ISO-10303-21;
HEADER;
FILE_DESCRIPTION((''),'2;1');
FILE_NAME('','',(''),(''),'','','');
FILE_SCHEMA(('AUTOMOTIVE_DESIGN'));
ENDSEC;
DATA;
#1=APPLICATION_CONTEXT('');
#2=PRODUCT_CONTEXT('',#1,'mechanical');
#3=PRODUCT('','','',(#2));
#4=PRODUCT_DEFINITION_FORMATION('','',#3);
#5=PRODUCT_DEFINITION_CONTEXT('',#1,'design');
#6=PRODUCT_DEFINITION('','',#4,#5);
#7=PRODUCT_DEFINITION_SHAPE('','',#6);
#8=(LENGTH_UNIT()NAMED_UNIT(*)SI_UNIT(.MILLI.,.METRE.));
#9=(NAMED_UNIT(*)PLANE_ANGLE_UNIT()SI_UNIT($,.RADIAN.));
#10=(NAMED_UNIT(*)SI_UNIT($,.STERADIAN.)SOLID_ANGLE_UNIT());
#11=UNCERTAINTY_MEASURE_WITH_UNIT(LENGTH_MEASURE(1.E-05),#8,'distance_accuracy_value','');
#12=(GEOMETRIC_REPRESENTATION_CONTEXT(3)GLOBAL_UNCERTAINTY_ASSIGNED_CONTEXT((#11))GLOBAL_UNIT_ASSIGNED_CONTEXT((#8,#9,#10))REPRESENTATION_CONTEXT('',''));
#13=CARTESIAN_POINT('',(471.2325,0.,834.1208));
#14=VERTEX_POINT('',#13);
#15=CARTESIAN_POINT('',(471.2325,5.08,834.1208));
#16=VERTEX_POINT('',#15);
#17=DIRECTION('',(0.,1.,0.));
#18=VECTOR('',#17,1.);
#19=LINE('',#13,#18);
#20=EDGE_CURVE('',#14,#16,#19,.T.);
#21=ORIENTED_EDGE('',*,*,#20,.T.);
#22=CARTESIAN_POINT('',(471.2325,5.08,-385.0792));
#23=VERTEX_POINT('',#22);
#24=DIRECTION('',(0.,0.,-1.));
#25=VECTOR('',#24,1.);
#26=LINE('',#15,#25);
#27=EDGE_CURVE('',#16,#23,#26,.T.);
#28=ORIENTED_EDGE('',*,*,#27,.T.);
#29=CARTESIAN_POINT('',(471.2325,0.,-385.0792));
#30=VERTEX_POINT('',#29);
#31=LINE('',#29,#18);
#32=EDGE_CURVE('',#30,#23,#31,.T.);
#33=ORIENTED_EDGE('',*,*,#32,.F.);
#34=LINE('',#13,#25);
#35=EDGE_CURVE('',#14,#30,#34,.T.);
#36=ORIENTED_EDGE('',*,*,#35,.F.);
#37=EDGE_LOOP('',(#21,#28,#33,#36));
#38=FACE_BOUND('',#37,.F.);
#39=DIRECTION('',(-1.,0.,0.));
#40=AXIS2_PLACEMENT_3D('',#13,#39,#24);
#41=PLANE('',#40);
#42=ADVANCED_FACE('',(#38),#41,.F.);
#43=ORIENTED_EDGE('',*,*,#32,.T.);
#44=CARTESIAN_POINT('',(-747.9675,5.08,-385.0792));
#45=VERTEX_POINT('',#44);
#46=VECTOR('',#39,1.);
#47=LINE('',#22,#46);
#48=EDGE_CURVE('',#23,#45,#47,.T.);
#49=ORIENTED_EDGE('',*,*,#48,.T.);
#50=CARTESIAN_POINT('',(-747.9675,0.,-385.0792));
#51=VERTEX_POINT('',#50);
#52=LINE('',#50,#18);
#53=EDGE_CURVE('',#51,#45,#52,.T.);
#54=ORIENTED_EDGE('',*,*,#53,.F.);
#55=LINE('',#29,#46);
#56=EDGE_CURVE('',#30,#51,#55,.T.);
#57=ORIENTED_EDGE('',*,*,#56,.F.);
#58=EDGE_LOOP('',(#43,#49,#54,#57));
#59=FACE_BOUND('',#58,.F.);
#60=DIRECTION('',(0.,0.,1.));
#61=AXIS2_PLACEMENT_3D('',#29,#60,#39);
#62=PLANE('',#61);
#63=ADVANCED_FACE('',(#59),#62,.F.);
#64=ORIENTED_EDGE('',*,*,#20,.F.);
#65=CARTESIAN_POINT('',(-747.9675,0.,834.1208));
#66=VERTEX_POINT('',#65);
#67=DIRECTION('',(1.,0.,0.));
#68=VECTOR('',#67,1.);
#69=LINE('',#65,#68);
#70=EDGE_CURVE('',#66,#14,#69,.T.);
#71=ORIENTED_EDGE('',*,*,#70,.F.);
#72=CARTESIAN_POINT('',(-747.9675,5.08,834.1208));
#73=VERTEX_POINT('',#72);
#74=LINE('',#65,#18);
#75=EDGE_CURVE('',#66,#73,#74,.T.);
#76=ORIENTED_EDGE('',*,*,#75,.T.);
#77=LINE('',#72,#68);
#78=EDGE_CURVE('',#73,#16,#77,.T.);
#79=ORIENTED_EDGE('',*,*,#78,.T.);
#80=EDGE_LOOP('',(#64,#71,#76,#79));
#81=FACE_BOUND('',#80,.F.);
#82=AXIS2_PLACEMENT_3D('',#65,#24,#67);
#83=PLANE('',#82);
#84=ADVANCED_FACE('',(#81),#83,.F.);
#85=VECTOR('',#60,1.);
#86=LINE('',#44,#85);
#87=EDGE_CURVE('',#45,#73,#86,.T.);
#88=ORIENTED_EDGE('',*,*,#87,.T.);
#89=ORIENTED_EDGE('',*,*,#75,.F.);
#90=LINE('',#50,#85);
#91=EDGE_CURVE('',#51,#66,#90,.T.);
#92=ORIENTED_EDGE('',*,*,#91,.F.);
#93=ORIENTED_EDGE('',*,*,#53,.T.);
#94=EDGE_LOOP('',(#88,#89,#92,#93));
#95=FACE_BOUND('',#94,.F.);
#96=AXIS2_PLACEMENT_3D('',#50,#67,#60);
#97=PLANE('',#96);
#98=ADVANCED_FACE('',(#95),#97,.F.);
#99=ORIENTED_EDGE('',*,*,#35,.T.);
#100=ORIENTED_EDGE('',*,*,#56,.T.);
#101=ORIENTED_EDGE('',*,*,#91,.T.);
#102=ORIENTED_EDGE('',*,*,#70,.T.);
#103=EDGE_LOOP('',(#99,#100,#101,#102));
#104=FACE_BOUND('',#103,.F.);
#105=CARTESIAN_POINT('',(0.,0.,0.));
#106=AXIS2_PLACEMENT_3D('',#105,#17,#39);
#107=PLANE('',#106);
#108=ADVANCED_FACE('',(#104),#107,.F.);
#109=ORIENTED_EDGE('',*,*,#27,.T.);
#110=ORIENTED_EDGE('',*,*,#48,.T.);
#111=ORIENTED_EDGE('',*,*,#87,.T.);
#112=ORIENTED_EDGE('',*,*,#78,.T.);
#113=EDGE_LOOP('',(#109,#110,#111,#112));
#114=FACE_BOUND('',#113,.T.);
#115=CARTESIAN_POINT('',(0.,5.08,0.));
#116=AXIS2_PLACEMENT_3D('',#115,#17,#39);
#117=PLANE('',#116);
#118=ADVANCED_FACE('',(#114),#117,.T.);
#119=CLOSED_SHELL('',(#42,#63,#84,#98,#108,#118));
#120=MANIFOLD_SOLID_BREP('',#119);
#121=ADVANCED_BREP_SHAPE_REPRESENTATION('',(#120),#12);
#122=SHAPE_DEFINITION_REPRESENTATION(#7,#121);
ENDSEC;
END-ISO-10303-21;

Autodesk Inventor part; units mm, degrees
ref_plane "YZ Plane" through (0, 0, 0) normal (1, 0, 0) x (0, 1, 0)
ref_plane "XZ Plane" through (0, 0, 0) normal (0, 1, 0) x (-1, 0, 0)
ref_plane "XY Plane" through (0, 0, 0) normal (0, 0, 1) x (1, 0, 0)
sketch "Sketch1" plane through (0, 0, 0) normal (0, 1, 0) x (-1, 0, 0)
  line L0 (747.9675, 834.1208) -> (-471.2325, 834.1208)
  line L1 (-471.2325, 834.1208) -> (-471.2325, -385.0792)
  line L2 (-471.2325, -385.0792) -> (747.9675, -385.0792)
  line L3 (747.9675, -385.0792) -> (747.9675, 834.1208)
  point P0 (0, 0)
  dimension "d0" = 1219.2
  dimension "d1" = 1219.2
extrude "Extrusion1" add sketch "Sketch1" along normal blind 5.08
properties part number "Rug"
